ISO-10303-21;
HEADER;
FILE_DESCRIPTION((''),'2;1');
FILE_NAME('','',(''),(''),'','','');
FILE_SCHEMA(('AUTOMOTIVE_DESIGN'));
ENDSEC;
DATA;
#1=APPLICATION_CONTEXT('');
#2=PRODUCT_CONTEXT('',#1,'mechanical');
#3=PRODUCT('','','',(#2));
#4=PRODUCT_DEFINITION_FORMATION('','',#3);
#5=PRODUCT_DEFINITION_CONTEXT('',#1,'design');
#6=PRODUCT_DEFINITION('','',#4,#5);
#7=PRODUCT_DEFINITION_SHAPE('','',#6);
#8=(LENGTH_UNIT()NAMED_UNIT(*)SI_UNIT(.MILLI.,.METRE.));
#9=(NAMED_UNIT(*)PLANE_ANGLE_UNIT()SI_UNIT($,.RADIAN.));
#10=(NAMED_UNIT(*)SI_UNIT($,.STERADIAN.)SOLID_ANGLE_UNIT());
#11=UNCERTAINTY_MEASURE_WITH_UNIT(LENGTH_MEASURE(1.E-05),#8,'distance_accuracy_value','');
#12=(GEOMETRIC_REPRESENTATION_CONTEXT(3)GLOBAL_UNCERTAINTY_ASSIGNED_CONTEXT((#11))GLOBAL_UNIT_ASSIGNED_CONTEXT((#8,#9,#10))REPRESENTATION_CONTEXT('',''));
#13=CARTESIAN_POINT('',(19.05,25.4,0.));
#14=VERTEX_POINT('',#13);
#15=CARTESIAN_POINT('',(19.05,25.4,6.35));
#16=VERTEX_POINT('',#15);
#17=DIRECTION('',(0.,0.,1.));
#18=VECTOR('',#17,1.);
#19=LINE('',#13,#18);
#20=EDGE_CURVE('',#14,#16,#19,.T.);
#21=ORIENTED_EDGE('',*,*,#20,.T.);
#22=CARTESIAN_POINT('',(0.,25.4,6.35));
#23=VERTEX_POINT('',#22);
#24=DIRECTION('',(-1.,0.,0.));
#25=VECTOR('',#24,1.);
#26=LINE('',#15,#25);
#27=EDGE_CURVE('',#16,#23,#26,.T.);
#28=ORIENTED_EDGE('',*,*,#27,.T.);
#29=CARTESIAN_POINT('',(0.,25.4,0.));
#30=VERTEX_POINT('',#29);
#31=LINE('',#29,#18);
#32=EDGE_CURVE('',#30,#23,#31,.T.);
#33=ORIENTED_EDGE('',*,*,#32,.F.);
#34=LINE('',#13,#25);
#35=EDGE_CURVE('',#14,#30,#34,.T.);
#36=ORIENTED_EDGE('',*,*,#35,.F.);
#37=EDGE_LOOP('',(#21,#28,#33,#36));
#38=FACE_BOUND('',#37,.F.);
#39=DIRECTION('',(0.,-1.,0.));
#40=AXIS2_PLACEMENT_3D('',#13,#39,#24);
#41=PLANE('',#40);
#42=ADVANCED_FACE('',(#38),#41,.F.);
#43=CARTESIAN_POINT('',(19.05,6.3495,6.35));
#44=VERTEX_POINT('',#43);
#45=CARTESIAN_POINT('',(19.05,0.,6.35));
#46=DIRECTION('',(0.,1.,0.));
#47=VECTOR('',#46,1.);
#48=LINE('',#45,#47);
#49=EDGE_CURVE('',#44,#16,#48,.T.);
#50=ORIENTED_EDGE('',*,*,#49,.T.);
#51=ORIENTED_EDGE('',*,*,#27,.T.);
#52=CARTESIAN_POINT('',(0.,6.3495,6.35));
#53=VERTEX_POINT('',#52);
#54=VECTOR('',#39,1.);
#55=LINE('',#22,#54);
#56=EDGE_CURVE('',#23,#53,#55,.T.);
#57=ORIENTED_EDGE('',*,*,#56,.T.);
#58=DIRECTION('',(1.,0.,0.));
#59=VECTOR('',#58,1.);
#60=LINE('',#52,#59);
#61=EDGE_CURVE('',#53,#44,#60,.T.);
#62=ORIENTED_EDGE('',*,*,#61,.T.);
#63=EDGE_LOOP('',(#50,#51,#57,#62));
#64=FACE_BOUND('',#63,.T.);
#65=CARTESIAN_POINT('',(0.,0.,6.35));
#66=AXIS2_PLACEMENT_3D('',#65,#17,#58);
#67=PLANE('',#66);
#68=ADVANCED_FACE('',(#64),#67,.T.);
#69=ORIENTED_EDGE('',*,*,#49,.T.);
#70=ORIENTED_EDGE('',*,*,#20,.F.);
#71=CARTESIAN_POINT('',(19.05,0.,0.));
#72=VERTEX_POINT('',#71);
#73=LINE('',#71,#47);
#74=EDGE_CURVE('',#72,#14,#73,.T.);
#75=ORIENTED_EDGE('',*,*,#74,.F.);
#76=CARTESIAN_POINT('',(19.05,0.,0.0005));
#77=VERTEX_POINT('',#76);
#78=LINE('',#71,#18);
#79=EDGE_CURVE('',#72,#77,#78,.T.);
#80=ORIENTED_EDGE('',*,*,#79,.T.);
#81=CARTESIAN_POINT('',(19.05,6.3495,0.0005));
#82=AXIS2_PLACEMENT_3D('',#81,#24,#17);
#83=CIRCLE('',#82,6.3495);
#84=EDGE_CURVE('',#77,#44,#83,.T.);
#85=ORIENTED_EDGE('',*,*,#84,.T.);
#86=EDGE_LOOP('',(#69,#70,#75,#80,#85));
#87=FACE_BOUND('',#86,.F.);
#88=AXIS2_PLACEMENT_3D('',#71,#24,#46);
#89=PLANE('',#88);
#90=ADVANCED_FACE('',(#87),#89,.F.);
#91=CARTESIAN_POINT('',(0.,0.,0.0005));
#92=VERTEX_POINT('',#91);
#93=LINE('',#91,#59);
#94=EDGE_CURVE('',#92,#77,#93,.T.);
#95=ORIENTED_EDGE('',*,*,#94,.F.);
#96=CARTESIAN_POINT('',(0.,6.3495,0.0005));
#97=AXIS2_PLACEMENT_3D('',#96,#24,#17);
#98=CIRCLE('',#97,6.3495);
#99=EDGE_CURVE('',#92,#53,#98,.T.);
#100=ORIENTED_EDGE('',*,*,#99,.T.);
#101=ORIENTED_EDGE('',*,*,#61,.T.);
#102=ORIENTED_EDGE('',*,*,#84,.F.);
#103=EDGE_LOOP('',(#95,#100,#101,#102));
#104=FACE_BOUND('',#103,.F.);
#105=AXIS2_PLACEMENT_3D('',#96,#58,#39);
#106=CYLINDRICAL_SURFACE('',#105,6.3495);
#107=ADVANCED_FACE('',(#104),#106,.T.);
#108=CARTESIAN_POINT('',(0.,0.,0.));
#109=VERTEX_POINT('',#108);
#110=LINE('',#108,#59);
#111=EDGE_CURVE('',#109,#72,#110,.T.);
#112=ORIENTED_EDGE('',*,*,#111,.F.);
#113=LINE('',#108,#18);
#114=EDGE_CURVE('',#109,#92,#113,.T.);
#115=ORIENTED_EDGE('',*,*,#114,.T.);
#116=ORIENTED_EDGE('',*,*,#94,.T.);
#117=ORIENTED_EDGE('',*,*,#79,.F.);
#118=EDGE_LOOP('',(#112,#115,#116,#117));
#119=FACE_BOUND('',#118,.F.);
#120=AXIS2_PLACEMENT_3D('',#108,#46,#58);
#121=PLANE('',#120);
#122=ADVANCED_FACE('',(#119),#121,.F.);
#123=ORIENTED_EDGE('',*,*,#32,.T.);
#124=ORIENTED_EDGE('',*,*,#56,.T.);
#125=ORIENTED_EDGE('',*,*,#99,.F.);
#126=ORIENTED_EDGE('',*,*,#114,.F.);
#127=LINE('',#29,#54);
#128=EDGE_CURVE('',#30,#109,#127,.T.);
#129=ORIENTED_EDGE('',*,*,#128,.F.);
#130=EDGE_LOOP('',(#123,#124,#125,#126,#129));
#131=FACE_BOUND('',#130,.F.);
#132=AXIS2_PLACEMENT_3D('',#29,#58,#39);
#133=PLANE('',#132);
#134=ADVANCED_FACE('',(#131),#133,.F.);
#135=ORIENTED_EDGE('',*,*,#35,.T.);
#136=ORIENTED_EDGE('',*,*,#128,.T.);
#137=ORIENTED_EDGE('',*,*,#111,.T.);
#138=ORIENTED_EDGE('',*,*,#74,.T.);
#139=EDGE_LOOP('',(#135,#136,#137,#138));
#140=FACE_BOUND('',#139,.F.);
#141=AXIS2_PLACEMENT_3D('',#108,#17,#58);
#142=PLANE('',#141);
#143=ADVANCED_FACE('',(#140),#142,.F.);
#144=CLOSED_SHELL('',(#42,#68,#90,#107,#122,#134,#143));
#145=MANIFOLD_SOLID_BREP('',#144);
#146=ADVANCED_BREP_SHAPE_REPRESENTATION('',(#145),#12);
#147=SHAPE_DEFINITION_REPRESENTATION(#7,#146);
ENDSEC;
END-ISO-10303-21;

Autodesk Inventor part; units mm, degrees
ref_plane "YZ Plane" through (0, 0, 0) normal (1, 0, 0) x (0, 1, 0)
ref_plane "XZ Plane" through (0, 0, 0) normal (0, 1, 0) x (-1, 0, 0)
ref_plane "XY Plane" through (0, 0, 0) normal (0, 0, 1) x (1, 0, 0)
sketch "Sketch1" plane through (0, 0, 0) normal (0, 0, 1) x (1, 0, 0)
  line L0 (0, 0) -> (19.05, 0)
  line L1 (19.05, 0) -> (19.05, 25.4)
  line L2 (19.05, 25.4) -> (0, 25.4)
  line L3 (0, 25.4) -> (0, 0)
  dimension "d0" = 19.05
  dimension "d1" = 25.4
extrude "Extrusion1" add sketch "Sketch1" along normal blind 6.35
fillet "Fillet1" radius 6.35 1 edges at (9.525, 0, 6.35)
properties part number "spacer_block" material "Acetal Resin, Black"
